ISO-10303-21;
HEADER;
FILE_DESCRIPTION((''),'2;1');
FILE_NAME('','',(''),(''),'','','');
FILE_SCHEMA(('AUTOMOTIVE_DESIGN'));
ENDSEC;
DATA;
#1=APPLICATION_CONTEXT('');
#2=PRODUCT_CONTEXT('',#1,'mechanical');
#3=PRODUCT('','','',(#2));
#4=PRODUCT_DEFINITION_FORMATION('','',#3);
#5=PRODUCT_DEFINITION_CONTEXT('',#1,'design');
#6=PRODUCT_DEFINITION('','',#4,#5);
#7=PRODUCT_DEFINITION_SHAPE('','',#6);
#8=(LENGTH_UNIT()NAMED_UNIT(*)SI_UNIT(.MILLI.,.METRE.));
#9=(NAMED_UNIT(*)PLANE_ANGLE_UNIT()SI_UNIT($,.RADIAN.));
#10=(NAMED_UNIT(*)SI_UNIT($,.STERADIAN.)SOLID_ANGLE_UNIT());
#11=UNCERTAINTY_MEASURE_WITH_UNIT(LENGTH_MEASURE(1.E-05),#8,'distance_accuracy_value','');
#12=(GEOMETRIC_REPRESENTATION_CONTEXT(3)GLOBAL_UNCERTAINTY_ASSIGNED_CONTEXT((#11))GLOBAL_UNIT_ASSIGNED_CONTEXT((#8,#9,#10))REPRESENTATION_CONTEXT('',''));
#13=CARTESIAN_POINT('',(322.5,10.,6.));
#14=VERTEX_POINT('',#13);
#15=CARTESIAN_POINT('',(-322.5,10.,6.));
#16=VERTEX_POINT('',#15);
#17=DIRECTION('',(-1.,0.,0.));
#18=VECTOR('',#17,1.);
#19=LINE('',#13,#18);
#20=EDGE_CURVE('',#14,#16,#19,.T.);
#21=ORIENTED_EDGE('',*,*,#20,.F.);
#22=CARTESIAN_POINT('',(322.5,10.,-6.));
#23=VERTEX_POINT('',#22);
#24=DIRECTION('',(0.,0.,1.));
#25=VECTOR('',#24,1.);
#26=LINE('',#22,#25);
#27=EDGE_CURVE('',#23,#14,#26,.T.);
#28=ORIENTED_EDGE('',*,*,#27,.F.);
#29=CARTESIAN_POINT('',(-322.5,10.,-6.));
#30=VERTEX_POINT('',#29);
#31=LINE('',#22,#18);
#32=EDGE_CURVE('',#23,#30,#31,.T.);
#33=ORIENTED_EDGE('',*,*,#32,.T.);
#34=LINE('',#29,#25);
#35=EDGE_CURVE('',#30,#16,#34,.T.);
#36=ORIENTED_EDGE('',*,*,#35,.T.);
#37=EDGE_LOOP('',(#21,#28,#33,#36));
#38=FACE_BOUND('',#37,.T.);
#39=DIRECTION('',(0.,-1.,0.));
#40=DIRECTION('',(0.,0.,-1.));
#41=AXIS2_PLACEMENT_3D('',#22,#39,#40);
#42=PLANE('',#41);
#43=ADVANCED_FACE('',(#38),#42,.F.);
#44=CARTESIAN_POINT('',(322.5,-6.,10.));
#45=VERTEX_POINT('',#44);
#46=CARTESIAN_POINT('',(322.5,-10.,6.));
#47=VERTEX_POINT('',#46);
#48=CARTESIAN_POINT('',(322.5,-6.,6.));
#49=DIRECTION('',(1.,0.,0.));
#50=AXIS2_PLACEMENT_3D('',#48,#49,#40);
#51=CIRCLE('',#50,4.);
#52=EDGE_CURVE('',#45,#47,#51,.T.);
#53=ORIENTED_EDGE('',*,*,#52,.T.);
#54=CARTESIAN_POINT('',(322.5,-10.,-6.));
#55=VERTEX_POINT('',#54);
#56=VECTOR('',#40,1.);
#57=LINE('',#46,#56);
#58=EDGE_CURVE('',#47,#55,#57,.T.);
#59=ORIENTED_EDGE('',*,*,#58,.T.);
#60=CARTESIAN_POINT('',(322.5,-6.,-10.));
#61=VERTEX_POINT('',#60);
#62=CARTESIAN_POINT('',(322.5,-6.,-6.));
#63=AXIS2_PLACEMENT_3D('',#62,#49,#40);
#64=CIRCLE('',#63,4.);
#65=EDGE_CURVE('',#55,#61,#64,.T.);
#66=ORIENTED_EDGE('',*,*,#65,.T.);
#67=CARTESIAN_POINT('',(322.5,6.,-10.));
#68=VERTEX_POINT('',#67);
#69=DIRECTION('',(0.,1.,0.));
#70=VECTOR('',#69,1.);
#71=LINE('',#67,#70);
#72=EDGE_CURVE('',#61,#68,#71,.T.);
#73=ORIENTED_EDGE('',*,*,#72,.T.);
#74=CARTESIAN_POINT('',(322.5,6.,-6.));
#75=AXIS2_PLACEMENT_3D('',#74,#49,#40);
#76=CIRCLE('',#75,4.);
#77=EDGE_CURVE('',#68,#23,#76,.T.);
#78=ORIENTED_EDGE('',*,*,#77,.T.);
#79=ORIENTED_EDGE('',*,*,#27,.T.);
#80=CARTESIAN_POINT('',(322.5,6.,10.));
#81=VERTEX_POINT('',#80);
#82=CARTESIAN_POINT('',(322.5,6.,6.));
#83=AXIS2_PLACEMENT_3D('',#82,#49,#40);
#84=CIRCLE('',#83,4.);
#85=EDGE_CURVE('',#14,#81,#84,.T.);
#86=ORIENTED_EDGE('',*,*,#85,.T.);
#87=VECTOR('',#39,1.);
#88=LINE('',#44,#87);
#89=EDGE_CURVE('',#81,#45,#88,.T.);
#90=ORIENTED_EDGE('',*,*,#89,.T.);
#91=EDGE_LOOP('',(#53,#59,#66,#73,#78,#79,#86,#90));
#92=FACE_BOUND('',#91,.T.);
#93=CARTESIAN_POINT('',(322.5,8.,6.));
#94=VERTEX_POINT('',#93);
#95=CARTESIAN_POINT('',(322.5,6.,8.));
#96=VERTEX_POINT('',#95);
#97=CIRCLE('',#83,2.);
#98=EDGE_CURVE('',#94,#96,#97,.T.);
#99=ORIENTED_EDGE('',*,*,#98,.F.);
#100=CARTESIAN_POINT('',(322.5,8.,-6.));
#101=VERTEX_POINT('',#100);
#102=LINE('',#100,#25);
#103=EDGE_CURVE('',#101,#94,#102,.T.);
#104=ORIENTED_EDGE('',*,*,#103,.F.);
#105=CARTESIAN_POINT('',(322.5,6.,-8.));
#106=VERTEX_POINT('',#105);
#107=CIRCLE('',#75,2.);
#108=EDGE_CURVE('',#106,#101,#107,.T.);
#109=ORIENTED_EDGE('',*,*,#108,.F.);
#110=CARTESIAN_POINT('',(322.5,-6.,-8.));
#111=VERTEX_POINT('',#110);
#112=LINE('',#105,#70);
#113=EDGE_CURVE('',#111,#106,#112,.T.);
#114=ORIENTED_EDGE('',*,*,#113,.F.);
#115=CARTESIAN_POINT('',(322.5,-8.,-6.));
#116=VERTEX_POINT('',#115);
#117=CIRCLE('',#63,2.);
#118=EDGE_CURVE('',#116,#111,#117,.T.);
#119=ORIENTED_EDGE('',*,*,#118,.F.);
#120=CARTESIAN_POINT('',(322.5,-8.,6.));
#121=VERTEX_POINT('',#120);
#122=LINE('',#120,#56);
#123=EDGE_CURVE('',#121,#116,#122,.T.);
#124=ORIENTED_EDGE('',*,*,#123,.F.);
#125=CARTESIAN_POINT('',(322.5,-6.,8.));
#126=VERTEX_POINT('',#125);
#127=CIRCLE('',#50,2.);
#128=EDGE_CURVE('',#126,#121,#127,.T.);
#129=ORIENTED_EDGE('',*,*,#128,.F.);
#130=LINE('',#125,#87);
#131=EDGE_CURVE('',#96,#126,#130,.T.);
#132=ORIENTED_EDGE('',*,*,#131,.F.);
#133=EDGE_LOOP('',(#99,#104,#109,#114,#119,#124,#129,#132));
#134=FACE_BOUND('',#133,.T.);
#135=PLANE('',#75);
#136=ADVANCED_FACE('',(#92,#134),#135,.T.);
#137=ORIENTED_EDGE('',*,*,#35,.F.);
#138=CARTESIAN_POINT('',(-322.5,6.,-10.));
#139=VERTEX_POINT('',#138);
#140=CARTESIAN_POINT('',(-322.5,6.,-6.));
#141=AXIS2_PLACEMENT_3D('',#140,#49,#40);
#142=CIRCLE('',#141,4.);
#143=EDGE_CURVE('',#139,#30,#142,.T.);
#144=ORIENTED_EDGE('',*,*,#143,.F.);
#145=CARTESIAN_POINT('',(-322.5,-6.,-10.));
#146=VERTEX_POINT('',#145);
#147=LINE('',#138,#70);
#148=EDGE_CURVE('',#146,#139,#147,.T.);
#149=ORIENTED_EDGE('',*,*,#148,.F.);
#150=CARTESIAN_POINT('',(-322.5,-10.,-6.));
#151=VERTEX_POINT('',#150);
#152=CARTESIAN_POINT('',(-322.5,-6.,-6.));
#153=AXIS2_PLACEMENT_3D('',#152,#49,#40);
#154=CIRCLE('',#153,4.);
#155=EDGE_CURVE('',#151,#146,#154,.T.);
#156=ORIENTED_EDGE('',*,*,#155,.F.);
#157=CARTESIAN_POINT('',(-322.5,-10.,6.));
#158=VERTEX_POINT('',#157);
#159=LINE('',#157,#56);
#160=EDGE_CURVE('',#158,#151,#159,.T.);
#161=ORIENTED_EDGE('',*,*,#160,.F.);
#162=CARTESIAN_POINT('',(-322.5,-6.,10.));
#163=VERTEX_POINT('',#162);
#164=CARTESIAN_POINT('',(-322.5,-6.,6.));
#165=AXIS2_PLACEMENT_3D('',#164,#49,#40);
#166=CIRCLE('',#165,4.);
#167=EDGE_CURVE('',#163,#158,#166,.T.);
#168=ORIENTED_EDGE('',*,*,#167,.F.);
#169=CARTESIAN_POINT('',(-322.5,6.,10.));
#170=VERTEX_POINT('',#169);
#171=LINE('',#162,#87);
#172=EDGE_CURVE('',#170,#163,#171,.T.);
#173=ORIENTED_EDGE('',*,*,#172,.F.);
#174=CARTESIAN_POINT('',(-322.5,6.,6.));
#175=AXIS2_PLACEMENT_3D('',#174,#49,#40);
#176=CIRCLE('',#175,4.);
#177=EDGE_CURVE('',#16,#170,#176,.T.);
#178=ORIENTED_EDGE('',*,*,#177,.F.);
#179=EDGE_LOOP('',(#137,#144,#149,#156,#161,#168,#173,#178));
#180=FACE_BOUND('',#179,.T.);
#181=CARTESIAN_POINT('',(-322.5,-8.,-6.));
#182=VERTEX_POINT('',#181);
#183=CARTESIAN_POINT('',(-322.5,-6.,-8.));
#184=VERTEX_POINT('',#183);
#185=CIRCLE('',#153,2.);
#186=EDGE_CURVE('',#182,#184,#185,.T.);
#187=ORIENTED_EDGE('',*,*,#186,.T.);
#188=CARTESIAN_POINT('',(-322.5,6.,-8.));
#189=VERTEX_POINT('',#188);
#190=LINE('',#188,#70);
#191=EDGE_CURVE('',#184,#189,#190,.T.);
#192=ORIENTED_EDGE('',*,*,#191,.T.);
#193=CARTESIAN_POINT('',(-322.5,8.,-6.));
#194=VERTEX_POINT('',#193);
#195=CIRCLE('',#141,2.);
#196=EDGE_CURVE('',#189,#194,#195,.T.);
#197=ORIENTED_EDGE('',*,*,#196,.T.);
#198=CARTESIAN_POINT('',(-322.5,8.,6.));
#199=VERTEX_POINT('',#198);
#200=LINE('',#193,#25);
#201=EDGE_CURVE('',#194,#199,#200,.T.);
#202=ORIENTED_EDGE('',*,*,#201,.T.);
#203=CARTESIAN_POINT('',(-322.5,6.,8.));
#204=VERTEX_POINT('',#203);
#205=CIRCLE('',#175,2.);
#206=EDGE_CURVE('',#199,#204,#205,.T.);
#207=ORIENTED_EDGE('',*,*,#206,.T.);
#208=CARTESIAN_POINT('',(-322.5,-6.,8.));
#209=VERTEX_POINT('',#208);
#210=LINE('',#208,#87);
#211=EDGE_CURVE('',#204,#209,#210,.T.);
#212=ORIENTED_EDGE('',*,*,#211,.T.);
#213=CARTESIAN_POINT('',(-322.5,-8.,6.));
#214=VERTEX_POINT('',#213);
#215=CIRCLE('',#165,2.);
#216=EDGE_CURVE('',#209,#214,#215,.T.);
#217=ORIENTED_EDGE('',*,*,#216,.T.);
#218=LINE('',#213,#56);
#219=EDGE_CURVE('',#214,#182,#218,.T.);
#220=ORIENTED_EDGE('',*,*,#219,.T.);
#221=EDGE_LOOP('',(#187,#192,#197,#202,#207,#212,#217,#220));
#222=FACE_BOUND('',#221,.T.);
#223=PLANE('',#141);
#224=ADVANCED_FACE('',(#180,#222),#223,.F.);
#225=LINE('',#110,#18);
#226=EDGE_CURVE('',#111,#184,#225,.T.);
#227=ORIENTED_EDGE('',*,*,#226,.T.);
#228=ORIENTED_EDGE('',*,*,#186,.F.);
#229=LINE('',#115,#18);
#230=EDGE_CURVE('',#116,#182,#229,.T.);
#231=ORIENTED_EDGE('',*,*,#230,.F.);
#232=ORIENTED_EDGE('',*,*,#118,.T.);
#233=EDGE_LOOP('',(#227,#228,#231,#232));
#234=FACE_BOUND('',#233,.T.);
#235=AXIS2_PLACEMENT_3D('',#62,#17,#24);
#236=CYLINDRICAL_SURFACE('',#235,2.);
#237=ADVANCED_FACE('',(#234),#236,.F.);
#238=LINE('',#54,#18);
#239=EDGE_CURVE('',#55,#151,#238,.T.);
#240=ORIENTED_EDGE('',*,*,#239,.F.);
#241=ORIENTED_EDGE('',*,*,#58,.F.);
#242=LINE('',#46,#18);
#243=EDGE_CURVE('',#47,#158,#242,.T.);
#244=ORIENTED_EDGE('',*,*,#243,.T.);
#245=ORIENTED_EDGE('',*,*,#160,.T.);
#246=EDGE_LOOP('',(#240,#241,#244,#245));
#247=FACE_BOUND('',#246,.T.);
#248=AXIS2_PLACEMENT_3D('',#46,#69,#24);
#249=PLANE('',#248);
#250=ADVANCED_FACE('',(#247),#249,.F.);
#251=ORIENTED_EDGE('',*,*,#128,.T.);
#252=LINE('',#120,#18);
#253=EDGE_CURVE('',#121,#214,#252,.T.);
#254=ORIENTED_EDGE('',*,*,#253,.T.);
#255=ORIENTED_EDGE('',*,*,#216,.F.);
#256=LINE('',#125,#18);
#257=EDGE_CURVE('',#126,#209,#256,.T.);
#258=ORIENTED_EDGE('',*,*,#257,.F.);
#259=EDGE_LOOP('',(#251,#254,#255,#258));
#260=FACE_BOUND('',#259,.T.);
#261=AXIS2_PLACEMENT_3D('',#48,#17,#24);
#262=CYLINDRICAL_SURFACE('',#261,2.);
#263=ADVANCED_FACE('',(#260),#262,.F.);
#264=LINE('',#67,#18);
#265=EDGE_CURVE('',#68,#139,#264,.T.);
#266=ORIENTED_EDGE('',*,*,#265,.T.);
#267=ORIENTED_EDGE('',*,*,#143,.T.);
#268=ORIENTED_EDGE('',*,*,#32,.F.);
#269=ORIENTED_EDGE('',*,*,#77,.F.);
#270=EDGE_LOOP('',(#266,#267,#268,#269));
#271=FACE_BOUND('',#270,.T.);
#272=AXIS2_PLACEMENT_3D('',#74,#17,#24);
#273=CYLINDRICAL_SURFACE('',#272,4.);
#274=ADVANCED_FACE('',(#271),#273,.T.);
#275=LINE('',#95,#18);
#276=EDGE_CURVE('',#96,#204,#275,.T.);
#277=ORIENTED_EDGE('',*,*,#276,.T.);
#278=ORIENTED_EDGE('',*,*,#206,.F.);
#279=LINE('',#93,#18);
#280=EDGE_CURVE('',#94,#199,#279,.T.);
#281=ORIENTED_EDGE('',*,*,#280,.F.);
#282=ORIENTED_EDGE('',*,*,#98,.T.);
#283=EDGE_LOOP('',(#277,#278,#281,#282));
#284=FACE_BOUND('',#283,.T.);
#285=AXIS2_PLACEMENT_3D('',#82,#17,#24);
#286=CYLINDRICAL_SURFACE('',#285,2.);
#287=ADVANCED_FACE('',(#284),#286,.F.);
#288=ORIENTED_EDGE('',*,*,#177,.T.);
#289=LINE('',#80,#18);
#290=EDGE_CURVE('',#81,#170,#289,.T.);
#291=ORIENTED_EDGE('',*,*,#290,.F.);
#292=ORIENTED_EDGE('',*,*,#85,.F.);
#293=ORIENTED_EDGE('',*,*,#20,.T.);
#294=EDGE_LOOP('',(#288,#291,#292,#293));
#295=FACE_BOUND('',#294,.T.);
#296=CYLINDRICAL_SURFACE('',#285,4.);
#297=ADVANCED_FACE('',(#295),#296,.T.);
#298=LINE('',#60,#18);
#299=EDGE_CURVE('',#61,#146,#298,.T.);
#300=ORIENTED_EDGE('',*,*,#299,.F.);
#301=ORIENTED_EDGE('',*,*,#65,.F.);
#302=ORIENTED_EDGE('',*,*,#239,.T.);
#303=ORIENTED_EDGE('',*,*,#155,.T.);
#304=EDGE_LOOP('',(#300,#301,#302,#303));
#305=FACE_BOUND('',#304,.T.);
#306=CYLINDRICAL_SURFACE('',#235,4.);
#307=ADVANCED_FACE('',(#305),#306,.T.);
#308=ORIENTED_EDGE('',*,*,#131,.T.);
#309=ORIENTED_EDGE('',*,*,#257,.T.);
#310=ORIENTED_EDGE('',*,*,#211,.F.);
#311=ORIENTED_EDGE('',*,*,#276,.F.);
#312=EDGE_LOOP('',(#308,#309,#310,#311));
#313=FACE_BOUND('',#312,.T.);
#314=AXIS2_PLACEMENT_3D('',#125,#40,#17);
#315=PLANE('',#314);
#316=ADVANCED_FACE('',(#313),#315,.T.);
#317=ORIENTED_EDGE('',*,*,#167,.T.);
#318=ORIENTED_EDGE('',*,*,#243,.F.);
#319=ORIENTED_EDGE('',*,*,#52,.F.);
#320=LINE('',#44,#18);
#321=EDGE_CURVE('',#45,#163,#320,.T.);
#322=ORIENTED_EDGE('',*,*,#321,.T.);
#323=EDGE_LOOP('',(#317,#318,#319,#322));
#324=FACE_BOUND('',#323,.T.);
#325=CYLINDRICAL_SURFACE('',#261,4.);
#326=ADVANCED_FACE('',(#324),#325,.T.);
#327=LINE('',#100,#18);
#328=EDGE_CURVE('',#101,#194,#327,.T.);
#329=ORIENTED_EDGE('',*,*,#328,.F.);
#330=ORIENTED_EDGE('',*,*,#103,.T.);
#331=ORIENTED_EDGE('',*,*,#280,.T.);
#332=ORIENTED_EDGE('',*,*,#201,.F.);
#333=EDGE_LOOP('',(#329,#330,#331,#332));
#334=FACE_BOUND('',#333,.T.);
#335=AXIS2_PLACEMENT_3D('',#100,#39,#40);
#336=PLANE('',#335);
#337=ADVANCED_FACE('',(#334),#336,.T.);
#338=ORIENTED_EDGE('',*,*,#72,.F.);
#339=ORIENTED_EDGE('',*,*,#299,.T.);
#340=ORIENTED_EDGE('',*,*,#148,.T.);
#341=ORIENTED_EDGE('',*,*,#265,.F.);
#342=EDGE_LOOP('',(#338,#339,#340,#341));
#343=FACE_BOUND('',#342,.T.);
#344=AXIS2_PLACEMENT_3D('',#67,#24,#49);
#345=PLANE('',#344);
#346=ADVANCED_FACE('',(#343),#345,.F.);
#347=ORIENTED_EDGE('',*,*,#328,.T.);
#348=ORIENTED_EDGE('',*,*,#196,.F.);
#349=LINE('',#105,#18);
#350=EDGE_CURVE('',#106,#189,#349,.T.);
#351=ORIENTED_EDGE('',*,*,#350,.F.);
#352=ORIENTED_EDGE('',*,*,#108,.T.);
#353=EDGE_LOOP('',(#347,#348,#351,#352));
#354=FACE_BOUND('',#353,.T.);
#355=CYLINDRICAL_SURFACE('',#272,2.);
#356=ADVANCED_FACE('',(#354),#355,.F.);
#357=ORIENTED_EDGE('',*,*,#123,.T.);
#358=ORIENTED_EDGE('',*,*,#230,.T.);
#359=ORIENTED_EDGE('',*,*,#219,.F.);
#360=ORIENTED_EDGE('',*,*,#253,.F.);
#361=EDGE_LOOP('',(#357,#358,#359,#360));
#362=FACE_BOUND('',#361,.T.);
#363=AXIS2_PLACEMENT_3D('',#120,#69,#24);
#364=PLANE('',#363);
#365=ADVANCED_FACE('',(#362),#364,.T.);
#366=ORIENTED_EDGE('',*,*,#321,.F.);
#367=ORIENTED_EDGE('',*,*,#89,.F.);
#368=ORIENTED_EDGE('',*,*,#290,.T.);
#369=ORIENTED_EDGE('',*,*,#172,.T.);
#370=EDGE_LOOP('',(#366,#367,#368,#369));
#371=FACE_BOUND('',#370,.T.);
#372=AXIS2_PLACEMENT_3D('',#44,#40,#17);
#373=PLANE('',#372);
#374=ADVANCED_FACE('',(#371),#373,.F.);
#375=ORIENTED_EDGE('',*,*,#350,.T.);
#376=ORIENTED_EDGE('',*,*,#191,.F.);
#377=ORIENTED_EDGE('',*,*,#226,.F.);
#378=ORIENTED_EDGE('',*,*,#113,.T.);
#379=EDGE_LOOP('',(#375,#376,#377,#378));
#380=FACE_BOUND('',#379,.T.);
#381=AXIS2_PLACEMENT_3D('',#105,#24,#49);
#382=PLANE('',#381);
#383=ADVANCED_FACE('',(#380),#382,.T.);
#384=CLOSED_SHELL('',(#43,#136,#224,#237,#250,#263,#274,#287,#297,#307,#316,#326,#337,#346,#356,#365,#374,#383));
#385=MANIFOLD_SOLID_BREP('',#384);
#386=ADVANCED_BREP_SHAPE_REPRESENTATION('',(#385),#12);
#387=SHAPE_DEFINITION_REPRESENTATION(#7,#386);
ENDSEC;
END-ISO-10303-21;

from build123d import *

# Parameters (mm, degrees)
SQUARE_TUBE_20_X_20_X_2_1_DEPTH = 645


with BuildPart() as part:
    # Sketch11 → Square tube 20 X 20 X 2(1) (new body)
    with BuildSketch(Plane(origin=(-322.5, 0, 0), x_dir=(0, 0, -1), z_dir=(1, 0, 0))):
        with BuildLine():
            Line((-6, -10), (6, -10))
            ThreePointArc((6, -10), (8.828427125, -8.828427125), (10, -6))
            Line((10, -6), (10, 6))
            ThreePointArc((10, 6), (8.828427125, 8.828427125), (6, 10))
            Line((6, 10), (-6, 10))
            ThreePointArc((-6, 10), (-8.828427125, 8.828427125), (-10, 6))
            Line((-10, 6), (-10, -6))
            ThreePointArc((-10, -6), (-8.828427125, -8.828427125), (-6, -10))
        make_face()
        with BuildLine():
            Line((-6, -8), (6, -8))
            ThreePointArc((6, -8), (7.414213562, -7.414213562), (8, -6))
            Line((8, -6), (8, 6))
            ThreePointArc((8, 6), (7.414213562, 7.414213562), (6, 8))
            Line((6, 8), (-6, 8))
            ThreePointArc((-6, 8), (-7.414213562, 7.414213562), (-8, 6))
            Line((-8, 6), (-8, -6))
            ThreePointArc((-8, -6), (-7.414213562, -7.414213562), (-6, -8))
        make_face(mode=Mode.SUBTRACT)
    extrude(amount=SQUARE_TUBE_20_X_20_X_2_1_DEPTH)


solid = part.part
